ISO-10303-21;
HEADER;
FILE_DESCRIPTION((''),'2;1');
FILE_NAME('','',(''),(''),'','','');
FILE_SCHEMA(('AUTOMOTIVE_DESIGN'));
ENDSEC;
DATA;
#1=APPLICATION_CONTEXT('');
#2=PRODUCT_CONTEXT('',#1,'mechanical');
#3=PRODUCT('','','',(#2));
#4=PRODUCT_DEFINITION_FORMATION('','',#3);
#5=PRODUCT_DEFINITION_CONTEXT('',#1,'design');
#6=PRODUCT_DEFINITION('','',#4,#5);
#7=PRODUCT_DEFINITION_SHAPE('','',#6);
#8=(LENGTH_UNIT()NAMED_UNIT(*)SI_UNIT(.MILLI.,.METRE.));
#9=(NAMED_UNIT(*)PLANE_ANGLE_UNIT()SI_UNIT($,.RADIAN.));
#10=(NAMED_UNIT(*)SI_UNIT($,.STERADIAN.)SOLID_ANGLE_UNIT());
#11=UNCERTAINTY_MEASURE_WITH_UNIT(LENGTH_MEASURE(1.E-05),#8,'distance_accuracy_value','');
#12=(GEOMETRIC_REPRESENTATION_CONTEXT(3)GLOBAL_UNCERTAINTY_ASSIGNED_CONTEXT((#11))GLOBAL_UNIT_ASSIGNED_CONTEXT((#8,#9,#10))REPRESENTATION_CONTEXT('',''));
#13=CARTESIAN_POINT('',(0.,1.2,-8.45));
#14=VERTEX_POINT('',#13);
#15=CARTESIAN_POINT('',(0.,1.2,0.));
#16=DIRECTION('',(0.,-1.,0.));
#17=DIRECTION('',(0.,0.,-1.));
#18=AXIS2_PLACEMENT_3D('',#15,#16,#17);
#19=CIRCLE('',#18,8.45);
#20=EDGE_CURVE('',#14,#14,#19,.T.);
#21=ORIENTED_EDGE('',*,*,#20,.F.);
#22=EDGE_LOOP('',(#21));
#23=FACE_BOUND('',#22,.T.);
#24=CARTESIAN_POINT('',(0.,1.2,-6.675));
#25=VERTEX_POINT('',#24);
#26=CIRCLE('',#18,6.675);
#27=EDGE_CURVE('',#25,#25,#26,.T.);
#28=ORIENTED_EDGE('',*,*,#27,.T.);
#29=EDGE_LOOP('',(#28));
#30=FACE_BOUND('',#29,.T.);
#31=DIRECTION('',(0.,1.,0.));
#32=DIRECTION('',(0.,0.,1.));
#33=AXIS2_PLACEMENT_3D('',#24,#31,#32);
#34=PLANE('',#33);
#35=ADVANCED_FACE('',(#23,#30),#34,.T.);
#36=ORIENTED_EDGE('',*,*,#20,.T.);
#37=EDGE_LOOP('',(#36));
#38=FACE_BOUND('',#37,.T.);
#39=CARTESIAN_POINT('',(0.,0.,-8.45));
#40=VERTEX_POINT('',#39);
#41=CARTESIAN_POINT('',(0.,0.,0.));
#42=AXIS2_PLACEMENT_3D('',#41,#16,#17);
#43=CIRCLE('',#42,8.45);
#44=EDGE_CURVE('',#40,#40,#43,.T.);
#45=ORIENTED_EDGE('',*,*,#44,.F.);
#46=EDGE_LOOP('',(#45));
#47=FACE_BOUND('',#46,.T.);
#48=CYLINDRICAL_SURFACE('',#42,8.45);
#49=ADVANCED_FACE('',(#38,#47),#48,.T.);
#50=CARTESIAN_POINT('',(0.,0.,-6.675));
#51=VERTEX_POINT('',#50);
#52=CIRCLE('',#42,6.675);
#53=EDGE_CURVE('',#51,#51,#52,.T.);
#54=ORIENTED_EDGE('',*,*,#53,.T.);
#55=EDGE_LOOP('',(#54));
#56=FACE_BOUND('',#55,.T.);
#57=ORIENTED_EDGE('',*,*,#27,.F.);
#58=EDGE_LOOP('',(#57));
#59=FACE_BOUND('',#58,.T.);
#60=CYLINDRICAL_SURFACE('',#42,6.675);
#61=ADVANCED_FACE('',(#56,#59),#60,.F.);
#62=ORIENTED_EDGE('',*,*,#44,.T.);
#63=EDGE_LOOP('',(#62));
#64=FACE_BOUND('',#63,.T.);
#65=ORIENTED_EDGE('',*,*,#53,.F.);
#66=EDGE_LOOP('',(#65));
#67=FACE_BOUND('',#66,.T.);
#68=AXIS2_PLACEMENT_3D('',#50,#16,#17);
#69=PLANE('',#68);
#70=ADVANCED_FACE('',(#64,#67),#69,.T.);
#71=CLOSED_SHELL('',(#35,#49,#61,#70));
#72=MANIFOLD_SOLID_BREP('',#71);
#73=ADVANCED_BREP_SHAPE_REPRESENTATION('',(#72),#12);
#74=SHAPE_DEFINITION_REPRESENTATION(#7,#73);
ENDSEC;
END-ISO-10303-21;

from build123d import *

# Parameters (mm, degrees)
SKETCH1_W = 1.775
SKETCH1_H = 1.2


with BuildPart() as part:
    # Sketch1 → Revolve1 (revolve)
    with BuildSketch(Plane(origin=(0, 0, 0), x_dir=(0, 0, -1), z_dir=(1, 0, 0))):
        with Locations((7.5625, 0.6)):
            Rectangle(SKETCH1_W, SKETCH1_H)
    revolve(axis=Axis((0, 0, 0), (0, 1, 0)))


solid = part.part
